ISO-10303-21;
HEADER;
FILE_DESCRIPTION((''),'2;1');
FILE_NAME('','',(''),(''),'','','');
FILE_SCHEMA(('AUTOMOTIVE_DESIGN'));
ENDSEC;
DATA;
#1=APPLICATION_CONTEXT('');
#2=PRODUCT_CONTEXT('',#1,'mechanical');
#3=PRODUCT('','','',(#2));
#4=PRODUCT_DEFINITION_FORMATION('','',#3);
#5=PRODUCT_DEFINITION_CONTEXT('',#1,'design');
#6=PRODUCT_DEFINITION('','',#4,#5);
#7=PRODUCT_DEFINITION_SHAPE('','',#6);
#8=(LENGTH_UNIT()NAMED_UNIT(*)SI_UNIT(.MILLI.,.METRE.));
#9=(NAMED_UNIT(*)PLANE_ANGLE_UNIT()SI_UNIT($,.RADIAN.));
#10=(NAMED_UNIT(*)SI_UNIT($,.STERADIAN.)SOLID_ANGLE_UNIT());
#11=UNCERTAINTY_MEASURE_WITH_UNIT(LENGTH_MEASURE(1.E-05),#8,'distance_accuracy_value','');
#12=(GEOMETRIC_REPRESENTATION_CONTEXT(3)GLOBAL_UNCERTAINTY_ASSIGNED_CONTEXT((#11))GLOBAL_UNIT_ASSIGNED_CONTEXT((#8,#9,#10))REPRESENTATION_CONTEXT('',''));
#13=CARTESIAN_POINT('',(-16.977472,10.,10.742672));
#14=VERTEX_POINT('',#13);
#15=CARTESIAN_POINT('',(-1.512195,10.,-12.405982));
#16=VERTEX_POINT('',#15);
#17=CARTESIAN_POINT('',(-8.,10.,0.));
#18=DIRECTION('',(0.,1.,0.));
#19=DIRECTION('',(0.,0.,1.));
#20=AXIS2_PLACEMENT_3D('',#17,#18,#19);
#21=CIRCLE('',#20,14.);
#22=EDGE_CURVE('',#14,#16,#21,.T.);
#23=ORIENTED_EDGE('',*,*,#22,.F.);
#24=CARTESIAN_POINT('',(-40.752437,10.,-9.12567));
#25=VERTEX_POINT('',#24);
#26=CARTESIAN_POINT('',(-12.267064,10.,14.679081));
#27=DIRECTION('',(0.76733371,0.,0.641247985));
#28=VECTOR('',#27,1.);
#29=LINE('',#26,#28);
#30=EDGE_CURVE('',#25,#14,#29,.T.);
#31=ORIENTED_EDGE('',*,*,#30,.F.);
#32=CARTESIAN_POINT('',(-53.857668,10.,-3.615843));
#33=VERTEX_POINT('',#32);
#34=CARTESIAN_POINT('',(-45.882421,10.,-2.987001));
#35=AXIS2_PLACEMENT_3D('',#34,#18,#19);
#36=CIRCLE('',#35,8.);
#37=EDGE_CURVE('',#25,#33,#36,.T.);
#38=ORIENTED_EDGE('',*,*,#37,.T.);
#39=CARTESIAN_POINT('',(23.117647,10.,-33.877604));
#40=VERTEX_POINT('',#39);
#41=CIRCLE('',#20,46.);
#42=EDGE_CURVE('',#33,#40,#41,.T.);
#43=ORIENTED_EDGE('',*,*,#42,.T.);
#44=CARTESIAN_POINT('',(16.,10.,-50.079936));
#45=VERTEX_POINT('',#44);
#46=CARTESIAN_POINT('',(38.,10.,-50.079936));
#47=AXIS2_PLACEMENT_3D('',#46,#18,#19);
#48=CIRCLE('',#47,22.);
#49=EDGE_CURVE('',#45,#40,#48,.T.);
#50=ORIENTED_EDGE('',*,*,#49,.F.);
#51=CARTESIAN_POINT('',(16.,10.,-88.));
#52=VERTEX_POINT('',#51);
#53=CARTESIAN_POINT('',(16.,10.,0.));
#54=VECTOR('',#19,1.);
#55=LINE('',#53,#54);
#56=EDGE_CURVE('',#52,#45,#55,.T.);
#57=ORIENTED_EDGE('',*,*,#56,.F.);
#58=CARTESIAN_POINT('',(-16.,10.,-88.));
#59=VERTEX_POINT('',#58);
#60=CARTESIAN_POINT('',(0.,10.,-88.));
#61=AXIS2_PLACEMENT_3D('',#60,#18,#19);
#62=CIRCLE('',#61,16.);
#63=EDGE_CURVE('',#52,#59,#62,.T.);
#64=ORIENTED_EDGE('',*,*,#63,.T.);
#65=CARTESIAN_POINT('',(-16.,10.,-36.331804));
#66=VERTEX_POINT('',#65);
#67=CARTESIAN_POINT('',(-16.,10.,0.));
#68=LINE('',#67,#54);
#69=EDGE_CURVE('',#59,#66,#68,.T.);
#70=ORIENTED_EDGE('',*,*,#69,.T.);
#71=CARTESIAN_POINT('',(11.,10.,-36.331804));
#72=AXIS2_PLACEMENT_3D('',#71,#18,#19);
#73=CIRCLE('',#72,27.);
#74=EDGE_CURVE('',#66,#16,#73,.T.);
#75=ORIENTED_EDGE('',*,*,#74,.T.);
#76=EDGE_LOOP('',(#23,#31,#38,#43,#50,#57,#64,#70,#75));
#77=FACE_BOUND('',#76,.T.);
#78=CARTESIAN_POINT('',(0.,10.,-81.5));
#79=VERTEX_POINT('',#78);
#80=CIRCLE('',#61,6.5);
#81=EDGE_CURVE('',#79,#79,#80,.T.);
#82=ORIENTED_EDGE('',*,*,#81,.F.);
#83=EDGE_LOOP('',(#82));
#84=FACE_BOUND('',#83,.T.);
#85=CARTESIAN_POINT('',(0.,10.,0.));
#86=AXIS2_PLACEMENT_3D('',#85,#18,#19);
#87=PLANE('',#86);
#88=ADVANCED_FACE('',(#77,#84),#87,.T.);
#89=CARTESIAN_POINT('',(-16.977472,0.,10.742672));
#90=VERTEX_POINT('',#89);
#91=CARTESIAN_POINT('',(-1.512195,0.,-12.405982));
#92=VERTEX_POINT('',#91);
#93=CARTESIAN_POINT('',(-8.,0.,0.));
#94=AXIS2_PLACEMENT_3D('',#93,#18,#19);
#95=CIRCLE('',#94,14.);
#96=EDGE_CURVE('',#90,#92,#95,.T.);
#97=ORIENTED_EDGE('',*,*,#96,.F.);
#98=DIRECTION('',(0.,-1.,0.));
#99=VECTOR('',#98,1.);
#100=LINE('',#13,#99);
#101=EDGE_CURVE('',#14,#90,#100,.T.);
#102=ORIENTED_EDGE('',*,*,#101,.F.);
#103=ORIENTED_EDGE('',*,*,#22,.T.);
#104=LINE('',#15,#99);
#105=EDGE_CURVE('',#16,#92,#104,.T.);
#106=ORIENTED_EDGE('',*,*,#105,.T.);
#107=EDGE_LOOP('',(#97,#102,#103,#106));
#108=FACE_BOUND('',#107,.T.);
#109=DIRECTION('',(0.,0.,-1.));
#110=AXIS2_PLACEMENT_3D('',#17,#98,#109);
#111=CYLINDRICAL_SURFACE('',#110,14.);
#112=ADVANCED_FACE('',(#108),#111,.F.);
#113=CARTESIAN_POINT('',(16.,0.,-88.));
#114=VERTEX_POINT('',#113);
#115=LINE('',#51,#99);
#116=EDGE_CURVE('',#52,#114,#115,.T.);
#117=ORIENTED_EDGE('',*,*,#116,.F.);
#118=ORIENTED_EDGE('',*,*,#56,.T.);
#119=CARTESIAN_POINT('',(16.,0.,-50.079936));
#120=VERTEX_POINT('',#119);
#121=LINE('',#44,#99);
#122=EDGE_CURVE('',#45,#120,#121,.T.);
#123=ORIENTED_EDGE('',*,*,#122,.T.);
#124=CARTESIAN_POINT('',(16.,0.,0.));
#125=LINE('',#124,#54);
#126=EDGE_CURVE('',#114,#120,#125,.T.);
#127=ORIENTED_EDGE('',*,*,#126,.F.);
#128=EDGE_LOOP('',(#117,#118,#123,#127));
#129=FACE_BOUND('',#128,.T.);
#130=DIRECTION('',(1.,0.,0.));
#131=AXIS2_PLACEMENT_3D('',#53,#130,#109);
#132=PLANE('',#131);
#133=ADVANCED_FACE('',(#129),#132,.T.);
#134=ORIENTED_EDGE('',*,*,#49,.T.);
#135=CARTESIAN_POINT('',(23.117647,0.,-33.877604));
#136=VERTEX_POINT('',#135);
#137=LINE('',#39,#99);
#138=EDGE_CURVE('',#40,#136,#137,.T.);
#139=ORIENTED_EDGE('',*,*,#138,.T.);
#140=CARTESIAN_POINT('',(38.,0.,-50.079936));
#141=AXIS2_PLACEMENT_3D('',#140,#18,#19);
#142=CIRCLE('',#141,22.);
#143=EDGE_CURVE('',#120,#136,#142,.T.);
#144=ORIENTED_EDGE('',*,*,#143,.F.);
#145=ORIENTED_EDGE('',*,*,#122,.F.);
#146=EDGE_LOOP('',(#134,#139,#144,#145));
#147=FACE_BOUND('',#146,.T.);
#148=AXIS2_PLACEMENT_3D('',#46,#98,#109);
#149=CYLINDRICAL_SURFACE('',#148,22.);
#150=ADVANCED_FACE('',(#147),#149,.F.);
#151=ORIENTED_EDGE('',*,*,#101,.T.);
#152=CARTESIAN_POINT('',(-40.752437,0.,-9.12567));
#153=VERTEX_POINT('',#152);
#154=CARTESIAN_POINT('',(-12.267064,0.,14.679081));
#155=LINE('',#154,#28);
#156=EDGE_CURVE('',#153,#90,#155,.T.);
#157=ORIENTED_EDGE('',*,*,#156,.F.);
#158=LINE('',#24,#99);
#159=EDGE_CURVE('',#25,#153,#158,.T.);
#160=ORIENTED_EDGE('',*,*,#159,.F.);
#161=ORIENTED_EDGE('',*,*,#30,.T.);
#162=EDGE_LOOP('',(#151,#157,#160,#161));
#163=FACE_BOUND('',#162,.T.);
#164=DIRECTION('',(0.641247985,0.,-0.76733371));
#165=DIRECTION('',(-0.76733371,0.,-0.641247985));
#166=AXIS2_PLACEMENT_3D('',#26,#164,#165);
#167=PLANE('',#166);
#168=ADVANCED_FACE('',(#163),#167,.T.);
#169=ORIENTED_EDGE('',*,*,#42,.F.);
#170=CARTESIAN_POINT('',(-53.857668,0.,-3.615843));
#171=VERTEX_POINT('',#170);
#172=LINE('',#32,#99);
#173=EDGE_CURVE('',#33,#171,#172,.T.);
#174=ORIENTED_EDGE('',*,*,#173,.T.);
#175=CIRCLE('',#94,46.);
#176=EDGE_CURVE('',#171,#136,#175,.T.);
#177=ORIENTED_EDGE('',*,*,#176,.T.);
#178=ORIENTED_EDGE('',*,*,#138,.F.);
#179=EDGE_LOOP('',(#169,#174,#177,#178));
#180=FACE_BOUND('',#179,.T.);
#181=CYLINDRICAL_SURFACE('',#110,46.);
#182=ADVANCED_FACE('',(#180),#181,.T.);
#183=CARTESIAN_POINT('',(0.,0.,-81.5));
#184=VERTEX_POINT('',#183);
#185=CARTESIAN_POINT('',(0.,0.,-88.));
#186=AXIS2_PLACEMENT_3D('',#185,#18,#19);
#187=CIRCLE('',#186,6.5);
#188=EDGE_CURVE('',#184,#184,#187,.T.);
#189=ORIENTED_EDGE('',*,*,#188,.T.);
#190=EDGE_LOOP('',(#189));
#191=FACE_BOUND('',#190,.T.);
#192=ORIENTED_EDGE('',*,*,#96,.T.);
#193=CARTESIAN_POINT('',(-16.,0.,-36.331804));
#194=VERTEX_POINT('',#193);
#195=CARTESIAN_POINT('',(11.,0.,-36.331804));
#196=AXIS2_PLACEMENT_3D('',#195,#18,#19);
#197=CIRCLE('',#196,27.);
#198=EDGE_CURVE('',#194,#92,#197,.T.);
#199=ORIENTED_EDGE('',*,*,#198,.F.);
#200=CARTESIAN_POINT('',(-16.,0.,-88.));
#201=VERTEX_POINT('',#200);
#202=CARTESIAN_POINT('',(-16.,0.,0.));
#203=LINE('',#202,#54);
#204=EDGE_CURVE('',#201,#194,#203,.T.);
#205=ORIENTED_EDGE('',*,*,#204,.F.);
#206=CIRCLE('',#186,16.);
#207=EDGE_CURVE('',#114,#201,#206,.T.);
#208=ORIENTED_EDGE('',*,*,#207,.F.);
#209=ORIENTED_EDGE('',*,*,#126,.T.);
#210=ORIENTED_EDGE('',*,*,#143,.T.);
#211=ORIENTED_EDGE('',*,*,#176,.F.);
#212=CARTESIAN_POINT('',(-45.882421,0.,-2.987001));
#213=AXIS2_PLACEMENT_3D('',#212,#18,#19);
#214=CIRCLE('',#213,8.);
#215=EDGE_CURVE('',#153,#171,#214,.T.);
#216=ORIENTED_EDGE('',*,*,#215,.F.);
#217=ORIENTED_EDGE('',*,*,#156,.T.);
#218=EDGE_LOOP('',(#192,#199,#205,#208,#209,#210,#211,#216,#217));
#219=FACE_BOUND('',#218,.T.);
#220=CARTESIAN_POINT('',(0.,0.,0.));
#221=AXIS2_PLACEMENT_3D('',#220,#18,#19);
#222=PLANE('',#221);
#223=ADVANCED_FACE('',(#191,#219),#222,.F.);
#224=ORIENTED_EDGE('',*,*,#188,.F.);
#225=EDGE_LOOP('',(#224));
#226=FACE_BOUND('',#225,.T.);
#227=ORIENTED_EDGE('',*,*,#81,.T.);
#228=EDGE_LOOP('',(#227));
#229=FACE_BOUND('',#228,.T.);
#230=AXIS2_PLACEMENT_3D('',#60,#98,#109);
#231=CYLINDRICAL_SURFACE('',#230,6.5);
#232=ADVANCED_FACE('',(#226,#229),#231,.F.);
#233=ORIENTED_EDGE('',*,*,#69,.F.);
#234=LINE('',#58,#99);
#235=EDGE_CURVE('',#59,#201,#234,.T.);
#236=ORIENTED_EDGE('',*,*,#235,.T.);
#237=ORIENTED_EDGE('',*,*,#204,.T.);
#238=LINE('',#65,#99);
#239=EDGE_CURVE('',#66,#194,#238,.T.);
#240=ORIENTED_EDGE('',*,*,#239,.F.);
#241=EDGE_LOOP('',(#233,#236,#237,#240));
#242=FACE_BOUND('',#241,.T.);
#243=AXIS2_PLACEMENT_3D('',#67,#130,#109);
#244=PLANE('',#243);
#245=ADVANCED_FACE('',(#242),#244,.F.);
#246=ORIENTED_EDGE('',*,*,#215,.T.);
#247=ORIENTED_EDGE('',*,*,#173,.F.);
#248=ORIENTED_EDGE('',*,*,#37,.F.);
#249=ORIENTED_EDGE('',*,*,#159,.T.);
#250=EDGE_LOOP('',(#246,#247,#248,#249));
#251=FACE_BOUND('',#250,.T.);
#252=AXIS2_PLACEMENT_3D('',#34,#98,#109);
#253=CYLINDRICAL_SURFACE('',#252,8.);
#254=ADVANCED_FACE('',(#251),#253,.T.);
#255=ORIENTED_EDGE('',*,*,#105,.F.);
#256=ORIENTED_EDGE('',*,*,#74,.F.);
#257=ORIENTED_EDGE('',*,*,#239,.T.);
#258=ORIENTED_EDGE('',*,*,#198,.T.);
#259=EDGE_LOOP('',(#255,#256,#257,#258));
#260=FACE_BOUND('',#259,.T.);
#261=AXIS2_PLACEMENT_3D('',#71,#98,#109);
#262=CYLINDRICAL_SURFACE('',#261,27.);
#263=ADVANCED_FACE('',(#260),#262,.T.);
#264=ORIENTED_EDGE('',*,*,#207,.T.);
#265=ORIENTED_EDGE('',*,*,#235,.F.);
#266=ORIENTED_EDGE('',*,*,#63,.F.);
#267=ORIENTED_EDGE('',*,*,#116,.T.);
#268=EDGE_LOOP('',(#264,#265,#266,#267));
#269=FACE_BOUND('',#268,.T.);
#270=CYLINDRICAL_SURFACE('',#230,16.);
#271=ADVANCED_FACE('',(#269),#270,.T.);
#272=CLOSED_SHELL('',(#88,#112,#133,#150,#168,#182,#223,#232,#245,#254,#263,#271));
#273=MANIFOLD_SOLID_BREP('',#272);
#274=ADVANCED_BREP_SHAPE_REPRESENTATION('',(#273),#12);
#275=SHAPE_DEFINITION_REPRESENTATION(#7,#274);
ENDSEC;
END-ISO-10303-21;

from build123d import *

# Parameters (mm, degrees)
SKETCH1_R           = 6.5
BOSS_EXTRUDE1_DEPTH = 10


with BuildPart() as part:
    # Sketch1 → Boss-Extrude1 (new body)
    with BuildSketch(Plane(origin=(0, 0, 0), x_dir=(1, 0, 0), z_dir=(0, 1, 0))):
        with BuildLine():
            Line((16, 88), (16, 50.079936102))
            ThreePointArc((16, 50.079936102), (17.85785805, 41.23153977), (23.117647059, 33.877603834))
            ThreePointArc((23.117647059, 33.877603834), (8.830347529, -42.810505744), (-53.85766764, 3.615842732))
            ThreePointArc((-53.85766764, 3.615842732), (-48.982974202, 10.361725626), (-40.752437215, 9.125670194))
            Line((-40.752437215, 9.125670194), (-16.977471788, -10.742671935))
            ThreePointArc((-16.977471788, -10.742671935), (3.641076169, -7.777232518), (-1.512195122, 12.405981939))
            ThreePointArc((-1.512195122, 12.405981939), (-12.095770915, 22.346620452), (-16, 36.331804249))
            Line((-16, 36.331804249), (-16, 88))
            ThreePointArc((-16, 88), (0, 104), (16, 88))
        make_face()
        with Locations(Location((0, 88, 0), (0, 0, 270))):
            Circle(SKETCH1_R, mode=Mode.SUBTRACT)
    extrude(amount=BOSS_EXTRUDE1_DEPTH)


solid = part.part
